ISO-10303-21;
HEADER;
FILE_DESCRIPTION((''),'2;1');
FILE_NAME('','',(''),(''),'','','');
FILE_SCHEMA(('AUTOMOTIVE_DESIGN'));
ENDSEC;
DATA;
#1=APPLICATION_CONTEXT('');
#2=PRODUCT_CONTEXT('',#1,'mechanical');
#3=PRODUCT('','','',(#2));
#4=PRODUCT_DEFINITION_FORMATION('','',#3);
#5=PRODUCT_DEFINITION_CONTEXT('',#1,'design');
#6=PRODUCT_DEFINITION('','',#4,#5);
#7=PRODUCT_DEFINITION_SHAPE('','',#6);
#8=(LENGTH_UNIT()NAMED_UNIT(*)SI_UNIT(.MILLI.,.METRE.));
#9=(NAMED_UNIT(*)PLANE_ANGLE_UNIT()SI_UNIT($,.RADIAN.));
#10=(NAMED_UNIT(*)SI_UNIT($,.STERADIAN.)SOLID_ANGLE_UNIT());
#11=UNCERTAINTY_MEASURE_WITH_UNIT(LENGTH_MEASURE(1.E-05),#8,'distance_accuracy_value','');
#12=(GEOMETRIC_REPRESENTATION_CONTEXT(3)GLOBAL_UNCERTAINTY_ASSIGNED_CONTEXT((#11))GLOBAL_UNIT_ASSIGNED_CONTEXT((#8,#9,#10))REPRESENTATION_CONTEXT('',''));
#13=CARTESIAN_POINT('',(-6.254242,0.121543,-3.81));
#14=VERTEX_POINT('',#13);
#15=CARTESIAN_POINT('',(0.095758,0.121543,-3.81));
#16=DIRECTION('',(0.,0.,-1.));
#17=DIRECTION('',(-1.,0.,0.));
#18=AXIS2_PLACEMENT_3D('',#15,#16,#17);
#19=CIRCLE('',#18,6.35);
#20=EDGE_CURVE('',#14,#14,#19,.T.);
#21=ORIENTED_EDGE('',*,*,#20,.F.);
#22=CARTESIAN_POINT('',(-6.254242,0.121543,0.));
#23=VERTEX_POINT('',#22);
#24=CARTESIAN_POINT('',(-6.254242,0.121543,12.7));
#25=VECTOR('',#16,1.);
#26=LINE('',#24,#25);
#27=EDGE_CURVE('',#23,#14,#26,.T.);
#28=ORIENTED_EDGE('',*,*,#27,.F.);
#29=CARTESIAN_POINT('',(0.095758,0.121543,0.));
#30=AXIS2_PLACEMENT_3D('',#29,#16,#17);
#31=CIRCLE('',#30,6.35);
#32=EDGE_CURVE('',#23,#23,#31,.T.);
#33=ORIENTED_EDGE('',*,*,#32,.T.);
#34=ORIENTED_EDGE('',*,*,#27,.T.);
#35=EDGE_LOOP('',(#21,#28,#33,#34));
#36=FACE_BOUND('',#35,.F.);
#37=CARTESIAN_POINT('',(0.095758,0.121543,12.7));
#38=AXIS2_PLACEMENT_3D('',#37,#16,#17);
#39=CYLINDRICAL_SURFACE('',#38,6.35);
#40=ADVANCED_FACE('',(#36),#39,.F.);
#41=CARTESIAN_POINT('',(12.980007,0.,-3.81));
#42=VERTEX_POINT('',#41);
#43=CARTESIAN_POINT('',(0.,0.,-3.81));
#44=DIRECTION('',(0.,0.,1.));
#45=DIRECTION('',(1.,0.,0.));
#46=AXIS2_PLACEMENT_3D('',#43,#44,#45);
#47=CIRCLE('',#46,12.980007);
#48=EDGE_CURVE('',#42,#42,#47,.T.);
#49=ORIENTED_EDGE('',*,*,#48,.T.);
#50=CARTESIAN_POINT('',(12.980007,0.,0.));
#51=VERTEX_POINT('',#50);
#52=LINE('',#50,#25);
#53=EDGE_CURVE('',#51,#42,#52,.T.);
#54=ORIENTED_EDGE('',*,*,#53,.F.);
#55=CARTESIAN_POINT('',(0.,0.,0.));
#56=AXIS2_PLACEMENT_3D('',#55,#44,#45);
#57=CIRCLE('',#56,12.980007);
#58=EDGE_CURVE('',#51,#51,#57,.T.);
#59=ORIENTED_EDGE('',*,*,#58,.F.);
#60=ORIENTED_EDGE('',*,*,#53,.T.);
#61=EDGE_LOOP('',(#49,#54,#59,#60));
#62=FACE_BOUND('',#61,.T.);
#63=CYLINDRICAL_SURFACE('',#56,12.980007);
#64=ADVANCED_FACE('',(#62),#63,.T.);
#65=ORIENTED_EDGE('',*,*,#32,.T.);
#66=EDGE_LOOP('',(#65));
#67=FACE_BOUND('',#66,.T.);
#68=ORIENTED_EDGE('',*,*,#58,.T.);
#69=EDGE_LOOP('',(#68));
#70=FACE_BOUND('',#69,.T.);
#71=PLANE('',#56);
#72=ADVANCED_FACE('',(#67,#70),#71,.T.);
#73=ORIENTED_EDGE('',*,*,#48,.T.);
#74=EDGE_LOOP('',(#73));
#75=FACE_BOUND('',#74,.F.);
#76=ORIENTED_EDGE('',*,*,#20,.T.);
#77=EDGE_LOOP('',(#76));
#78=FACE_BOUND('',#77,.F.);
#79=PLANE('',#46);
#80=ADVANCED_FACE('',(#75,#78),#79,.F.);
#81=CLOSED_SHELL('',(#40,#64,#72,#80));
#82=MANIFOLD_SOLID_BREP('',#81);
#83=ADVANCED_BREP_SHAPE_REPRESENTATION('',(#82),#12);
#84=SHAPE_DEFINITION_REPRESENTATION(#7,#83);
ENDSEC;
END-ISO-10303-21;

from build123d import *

# Parameters (mm, degrees)
F0_R     = 12.980007
F1_DEPTH = 3.81
F3_D     = 12.7
F3_DEPTH = 12.7


with BuildPart() as f1:
    # F0 (on Top) → F1 (new body)
    with BuildSketch(Plane.XY):
        Circle(F0_R)
    extrude(amount=-F1_DEPTH)

    # F3
    with Locations(Plane.XY):
        with Locations((0.095758, 0.121543)):
            Hole(F3_D / 2, depth=F3_DEPTH)


solid = f1.part
